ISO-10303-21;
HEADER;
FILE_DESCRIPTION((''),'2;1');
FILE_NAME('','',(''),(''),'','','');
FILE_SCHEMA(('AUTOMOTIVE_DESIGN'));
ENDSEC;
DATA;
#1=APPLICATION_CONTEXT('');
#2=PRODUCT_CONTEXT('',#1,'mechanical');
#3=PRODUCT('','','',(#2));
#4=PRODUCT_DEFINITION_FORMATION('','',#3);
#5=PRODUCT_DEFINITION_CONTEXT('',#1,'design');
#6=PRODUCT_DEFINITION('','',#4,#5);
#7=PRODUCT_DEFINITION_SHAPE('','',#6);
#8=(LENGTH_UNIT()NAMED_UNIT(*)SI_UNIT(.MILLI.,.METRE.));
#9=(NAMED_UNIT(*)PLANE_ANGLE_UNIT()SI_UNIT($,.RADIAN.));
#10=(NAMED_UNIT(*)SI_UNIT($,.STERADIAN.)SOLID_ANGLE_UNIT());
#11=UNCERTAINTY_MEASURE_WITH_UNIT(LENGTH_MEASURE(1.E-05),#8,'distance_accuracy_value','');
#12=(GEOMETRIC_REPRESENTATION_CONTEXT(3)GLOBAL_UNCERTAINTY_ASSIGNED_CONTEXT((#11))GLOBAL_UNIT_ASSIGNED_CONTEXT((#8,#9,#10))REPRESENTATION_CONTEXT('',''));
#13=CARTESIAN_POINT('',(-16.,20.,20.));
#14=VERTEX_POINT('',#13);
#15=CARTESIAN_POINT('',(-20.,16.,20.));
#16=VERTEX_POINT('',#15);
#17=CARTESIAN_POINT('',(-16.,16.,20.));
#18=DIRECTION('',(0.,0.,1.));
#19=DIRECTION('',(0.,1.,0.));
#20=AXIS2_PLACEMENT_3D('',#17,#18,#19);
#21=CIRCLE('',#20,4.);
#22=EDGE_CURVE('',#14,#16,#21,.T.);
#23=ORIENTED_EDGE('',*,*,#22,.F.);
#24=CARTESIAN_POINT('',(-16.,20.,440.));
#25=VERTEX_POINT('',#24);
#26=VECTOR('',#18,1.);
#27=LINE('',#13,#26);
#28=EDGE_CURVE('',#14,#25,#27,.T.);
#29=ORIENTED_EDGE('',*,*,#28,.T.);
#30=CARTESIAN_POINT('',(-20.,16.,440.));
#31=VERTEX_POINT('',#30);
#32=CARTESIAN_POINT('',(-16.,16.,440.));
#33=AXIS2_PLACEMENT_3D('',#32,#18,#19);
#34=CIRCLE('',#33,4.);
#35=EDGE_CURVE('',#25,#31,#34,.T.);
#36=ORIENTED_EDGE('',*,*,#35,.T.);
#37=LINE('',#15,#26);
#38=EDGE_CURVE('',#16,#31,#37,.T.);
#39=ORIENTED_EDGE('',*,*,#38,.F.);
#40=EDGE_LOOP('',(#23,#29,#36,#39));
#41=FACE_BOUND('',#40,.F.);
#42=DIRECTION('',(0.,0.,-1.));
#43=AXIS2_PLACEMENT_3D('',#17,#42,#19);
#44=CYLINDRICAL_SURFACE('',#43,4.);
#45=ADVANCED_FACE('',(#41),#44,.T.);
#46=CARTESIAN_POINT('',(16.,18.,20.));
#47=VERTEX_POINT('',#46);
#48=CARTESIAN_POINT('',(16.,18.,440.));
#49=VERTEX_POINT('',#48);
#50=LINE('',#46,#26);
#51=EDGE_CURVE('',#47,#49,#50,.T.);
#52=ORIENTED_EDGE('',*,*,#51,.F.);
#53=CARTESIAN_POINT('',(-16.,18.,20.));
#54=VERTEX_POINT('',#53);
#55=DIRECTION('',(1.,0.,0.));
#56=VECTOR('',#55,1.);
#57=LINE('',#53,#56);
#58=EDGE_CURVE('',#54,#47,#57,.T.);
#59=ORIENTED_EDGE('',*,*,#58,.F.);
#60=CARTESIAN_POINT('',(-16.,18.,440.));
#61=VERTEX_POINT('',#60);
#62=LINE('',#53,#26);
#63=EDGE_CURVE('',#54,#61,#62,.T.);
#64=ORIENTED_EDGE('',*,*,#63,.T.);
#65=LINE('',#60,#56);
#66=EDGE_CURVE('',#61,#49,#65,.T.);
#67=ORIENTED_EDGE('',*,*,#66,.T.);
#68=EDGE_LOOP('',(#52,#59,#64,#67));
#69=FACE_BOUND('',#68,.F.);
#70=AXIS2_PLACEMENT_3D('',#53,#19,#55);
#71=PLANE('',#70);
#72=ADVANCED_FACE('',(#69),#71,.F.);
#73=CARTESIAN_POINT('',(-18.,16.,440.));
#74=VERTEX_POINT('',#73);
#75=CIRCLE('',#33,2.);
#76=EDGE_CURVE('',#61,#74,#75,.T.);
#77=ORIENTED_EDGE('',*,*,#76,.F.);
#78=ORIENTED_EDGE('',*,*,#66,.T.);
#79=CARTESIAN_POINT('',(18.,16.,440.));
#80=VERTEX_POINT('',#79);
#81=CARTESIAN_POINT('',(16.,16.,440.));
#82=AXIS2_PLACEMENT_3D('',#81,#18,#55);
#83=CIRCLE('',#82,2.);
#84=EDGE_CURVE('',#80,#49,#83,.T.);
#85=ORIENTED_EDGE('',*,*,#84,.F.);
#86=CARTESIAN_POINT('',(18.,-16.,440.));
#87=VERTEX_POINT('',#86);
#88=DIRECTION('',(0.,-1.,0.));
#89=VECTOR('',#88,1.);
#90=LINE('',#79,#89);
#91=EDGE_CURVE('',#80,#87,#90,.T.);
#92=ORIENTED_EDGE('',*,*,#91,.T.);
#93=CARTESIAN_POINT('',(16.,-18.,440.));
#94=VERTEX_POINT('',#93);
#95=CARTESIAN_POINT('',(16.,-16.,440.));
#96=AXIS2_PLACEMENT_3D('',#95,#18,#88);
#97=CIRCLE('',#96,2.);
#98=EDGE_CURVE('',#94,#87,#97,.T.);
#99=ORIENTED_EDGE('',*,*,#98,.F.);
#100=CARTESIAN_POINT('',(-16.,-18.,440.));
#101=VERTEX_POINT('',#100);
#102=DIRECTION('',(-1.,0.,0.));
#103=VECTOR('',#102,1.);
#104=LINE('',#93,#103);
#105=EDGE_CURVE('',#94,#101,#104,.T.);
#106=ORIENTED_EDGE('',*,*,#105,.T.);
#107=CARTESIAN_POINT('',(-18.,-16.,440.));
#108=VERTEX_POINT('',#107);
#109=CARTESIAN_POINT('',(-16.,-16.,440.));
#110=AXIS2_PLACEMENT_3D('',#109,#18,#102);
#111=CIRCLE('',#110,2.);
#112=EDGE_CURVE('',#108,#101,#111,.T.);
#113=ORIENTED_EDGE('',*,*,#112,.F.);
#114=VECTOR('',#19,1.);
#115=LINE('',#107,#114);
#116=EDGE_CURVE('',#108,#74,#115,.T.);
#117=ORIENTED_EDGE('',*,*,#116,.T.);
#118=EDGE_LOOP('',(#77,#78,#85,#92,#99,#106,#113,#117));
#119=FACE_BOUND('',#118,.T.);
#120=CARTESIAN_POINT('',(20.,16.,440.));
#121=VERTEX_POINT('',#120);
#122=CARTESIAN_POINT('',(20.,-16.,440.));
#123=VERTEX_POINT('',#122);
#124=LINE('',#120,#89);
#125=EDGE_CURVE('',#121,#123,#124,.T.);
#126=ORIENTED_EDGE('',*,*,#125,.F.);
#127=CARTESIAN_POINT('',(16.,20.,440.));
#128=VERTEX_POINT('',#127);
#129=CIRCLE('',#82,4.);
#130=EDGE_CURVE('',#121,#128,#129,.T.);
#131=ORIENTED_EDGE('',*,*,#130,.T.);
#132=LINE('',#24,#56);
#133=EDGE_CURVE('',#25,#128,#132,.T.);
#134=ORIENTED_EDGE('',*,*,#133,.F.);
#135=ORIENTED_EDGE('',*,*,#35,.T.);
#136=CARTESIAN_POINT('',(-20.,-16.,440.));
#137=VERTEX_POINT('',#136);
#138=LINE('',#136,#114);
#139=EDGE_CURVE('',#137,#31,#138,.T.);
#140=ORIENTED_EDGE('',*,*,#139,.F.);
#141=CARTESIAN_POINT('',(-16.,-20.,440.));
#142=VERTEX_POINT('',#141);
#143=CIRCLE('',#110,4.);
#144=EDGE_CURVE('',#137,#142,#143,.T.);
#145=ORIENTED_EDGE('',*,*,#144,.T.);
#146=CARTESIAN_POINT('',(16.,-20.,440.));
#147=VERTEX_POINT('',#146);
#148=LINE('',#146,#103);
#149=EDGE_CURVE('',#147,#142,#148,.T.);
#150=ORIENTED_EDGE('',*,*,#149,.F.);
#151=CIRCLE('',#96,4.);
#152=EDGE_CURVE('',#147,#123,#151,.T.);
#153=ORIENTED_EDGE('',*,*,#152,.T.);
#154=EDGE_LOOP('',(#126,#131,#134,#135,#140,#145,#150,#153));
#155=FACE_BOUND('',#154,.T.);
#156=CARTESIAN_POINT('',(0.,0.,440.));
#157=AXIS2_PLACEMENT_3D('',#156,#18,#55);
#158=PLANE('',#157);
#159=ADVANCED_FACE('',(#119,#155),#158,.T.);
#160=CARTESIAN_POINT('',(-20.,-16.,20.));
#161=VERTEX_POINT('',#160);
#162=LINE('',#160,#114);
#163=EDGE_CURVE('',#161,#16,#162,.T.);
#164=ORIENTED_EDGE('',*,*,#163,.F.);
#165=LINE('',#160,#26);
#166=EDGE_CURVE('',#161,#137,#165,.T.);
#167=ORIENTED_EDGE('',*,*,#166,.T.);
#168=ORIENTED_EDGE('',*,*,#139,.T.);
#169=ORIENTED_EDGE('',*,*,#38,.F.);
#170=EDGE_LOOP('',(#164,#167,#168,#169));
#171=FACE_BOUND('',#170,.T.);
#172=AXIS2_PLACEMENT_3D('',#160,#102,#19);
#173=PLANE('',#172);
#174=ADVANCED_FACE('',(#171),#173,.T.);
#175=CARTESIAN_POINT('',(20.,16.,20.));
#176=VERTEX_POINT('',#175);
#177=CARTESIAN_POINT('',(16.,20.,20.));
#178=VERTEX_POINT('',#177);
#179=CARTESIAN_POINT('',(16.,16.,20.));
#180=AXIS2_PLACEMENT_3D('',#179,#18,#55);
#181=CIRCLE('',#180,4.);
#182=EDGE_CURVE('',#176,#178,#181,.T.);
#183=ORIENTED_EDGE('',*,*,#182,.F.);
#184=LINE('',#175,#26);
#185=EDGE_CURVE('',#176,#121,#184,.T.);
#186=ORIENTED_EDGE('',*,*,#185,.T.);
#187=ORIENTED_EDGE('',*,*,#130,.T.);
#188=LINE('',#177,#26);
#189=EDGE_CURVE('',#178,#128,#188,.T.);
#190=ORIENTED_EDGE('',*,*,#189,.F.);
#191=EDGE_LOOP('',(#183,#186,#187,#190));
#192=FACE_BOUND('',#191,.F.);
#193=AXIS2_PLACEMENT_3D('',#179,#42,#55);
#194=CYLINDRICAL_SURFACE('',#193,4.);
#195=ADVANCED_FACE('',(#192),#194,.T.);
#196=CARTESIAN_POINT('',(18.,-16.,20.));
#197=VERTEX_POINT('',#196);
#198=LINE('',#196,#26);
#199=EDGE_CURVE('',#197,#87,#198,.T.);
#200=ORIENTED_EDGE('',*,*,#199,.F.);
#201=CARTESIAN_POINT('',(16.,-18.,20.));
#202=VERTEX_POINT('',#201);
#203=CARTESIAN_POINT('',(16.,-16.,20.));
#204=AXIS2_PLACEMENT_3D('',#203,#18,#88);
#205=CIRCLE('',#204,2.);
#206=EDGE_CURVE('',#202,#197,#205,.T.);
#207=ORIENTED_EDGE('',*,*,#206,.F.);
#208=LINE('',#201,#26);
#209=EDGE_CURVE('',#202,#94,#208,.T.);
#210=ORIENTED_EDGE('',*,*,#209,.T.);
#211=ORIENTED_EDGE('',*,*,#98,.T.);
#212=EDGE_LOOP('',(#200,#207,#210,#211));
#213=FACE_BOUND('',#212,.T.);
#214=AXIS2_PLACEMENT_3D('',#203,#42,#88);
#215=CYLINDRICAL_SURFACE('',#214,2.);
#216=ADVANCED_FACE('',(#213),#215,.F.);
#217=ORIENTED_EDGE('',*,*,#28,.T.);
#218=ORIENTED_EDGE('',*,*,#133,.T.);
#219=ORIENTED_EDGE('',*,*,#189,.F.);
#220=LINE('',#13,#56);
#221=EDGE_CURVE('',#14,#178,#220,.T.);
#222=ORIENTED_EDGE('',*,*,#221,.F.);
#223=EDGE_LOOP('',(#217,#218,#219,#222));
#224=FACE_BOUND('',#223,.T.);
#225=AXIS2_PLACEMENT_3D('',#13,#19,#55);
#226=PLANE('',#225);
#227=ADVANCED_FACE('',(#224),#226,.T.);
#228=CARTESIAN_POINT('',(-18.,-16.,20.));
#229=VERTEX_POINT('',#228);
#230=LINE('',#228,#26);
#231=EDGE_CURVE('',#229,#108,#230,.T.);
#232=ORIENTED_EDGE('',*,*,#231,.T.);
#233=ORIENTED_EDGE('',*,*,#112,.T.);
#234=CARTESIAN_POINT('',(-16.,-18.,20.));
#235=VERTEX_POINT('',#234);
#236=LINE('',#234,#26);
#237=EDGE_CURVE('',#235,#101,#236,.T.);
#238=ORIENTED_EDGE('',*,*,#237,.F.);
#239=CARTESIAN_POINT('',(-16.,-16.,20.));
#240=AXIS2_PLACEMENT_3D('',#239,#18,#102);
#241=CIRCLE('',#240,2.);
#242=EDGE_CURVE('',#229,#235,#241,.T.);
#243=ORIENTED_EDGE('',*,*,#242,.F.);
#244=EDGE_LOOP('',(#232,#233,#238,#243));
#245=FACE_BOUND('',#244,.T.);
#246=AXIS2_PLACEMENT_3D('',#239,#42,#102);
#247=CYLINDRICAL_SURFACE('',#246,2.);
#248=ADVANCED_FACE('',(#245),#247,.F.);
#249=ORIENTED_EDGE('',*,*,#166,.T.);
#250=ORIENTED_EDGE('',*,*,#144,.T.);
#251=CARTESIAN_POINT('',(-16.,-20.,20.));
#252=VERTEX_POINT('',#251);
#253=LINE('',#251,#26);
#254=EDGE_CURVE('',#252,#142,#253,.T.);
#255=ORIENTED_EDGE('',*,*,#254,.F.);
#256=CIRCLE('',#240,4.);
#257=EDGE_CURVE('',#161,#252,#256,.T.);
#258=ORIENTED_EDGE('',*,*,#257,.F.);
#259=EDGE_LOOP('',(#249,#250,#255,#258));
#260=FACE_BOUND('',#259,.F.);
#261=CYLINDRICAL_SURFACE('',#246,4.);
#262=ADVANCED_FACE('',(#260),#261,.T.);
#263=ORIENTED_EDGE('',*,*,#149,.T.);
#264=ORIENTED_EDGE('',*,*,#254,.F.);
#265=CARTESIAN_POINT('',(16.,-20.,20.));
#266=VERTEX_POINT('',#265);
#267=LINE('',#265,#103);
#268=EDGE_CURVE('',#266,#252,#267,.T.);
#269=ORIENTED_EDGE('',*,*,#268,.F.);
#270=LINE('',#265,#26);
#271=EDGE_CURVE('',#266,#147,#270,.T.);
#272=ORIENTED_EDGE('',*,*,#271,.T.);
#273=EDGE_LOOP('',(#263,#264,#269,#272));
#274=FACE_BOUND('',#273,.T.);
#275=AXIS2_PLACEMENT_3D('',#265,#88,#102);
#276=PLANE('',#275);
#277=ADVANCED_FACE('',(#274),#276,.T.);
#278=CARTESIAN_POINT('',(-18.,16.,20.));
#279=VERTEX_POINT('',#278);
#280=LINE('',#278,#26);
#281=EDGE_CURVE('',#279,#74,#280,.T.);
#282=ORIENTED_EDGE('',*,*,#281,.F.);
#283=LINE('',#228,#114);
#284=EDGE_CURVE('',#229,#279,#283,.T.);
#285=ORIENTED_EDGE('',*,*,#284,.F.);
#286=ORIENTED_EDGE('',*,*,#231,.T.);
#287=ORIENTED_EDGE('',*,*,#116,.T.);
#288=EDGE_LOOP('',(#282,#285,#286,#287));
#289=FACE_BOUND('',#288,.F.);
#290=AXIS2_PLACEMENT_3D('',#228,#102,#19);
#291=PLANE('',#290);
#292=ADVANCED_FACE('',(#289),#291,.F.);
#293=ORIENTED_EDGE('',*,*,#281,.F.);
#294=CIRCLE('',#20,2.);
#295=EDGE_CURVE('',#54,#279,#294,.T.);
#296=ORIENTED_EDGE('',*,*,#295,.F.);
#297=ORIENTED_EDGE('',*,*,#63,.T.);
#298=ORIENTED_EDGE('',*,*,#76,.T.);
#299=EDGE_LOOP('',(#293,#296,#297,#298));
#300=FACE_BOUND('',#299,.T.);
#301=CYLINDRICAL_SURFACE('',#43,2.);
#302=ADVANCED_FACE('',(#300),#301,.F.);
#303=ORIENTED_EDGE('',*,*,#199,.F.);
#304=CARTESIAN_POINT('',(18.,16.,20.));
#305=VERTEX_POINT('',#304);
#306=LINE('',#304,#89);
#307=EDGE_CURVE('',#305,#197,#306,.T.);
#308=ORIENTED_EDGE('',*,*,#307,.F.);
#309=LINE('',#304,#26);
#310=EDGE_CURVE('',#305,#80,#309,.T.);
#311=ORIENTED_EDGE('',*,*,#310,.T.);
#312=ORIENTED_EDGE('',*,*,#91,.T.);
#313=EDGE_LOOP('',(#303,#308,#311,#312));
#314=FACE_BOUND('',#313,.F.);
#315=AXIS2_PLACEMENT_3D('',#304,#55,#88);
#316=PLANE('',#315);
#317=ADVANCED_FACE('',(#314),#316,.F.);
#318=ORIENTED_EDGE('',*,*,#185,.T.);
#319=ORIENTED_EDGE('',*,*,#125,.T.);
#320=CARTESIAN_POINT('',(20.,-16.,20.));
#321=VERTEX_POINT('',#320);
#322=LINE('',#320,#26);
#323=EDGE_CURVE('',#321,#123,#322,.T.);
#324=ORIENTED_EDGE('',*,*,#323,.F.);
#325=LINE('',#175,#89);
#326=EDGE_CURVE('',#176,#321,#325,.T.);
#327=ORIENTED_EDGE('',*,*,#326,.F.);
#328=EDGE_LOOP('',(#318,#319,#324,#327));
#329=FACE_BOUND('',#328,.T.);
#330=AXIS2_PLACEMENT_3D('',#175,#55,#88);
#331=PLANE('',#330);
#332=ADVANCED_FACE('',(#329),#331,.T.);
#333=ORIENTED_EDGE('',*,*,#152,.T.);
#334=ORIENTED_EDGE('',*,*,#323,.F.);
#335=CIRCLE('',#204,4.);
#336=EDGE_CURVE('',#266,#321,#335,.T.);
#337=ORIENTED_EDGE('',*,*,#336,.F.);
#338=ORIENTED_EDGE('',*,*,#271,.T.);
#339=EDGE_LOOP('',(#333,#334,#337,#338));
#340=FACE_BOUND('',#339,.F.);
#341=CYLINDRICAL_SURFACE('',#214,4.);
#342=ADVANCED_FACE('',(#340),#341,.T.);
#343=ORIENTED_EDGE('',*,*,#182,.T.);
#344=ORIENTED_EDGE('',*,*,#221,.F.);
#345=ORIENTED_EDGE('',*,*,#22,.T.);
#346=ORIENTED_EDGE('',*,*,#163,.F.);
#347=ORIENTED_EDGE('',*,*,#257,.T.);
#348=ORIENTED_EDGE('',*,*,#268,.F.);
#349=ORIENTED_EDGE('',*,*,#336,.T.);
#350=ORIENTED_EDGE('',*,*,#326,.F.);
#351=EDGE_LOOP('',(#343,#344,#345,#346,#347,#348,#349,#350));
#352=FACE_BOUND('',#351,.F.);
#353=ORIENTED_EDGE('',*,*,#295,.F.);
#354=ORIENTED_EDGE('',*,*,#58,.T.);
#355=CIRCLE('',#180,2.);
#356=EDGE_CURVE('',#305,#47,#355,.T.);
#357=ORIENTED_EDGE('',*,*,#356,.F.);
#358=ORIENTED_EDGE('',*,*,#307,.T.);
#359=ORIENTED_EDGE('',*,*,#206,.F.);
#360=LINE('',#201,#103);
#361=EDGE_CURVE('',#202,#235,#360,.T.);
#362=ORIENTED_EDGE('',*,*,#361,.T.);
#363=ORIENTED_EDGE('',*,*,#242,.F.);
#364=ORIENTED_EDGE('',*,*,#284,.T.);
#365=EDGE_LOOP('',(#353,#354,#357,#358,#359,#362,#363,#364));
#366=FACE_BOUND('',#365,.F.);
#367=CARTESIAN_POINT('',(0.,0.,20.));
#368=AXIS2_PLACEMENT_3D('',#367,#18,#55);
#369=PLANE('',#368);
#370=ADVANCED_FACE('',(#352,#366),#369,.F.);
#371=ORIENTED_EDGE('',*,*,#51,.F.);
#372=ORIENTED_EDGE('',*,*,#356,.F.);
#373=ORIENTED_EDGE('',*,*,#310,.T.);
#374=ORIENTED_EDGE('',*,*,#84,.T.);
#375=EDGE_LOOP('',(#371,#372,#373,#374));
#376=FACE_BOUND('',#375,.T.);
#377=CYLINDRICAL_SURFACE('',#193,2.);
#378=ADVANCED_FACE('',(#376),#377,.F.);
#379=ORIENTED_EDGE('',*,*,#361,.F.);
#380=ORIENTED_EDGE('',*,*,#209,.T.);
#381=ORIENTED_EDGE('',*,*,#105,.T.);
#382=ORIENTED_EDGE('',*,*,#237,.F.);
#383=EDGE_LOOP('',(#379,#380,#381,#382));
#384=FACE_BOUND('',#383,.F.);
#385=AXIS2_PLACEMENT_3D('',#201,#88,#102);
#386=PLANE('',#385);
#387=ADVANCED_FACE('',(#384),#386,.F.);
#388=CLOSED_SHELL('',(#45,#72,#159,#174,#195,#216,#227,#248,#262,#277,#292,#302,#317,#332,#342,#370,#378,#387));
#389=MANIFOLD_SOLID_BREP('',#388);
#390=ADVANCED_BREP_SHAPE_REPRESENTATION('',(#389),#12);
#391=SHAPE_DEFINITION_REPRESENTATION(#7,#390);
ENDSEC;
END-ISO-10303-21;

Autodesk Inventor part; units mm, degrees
ref_plane "YZ Plane" through (0, 0, 0) normal (1, 0, 0) x (0, 1, 0)
ref_plane "Start Plane" through (0, 0, 20) normal (0, 0, 1) x (1, 0, 0)
ref_plane "End Plane" through (0, 0, 440) normal (0, 0, 1) x (1, 0, 0)
sketch "Sketch" plane through (0, 0, 0) normal (0, 0, 1) x (1, 0, 0)
  line L0 (-20, -16) -> (-20, 16)
  line L1 (-16, 20) -> (16, 20)
  line L2 (20, 16) -> (20, -16)
  line L3 (16, -20) -> (-16, -20)
  arc A0 (-20, -16) -> (-16, -20) centre (-16, -16) ccw
  arc A1 (20, 16) -> (16, 20) centre (16, 16) ccw
  arc A2 (-16, 20) -> (-20, 16) centre (-16, 16) ccw
  arc A3 (16, -20) -> (20, -16) centre (16, -16) ccw
  arc A4 (-16, 18) -> (-18, 16) centre (-16, 16) ccw
  line L4 (-16, 18) -> (16, 18)
  arc A5 (18, 16) -> (16, 18) centre (16, 16) ccw
  line L5 (18, 16) -> (18, -16)
  arc A6 (16, -18) -> (18, -16) centre (16, -16) ccw
  line L6 (16, -18) -> (-16, -18)
  arc A7 (-18, -16) -> (-16, -18) centre (-16, -16) ccw
  line L7 (-18, -16) -> (-18, 16)
  line L8 (0, 29.1598) -> (0, -29.1598) construction
  line L9 (-29.1598, 0) -> (29.1598, 0) construction
  dimension "d7" = 4
  dimension "d9" = 40
  dimension "d11" = 40
  dimension "d12" = 2
  dimension "d15" = 20
  dimension "d16" = 20
extrude "Body" add sketch "Sketch" along normal up to surface (420 mm away) from surface at 20
sketch "Sketch3" plane through (0, 0, 0) normal (0, 0, 1) x (1, 0, 0)
  line L0 (0, 0) -> (10, 0)
ref_plane "Work Plane3" through (0, 0, 0) normal (0, -1, 0) x (1, 0, 0)
sketch "Sketch4" plane through (0, 0, 0) normal (0, -1, 0) x (1, 0, 0)
  line L0 (-2, 20) -> (12, 20) projected
  line L1 (-2, 440) -> (12, 440) projected
  dimension "d18" = 420
equation "\"d7\" = G_IR"
equation "\"d9\" = G_W"
equation "\"d11\" = G_H"
equation "\"d12\" = G_T"
equation "\"d15\" = 0.5 * d9"
equation "\"d16\" = 0.5 * d11"
equation "\"d3\" = G_L"
equation "\"G_W\" = 40"
equation "\"G_H\" = 40"
equation "\"G_T\" = 2"
equation "\"G_IR\" = 4"
equation "\"G_L\" = d18"
properties part number "ISO 10799-2 - 40x40x2 - 420" material "Steel, Mild"
